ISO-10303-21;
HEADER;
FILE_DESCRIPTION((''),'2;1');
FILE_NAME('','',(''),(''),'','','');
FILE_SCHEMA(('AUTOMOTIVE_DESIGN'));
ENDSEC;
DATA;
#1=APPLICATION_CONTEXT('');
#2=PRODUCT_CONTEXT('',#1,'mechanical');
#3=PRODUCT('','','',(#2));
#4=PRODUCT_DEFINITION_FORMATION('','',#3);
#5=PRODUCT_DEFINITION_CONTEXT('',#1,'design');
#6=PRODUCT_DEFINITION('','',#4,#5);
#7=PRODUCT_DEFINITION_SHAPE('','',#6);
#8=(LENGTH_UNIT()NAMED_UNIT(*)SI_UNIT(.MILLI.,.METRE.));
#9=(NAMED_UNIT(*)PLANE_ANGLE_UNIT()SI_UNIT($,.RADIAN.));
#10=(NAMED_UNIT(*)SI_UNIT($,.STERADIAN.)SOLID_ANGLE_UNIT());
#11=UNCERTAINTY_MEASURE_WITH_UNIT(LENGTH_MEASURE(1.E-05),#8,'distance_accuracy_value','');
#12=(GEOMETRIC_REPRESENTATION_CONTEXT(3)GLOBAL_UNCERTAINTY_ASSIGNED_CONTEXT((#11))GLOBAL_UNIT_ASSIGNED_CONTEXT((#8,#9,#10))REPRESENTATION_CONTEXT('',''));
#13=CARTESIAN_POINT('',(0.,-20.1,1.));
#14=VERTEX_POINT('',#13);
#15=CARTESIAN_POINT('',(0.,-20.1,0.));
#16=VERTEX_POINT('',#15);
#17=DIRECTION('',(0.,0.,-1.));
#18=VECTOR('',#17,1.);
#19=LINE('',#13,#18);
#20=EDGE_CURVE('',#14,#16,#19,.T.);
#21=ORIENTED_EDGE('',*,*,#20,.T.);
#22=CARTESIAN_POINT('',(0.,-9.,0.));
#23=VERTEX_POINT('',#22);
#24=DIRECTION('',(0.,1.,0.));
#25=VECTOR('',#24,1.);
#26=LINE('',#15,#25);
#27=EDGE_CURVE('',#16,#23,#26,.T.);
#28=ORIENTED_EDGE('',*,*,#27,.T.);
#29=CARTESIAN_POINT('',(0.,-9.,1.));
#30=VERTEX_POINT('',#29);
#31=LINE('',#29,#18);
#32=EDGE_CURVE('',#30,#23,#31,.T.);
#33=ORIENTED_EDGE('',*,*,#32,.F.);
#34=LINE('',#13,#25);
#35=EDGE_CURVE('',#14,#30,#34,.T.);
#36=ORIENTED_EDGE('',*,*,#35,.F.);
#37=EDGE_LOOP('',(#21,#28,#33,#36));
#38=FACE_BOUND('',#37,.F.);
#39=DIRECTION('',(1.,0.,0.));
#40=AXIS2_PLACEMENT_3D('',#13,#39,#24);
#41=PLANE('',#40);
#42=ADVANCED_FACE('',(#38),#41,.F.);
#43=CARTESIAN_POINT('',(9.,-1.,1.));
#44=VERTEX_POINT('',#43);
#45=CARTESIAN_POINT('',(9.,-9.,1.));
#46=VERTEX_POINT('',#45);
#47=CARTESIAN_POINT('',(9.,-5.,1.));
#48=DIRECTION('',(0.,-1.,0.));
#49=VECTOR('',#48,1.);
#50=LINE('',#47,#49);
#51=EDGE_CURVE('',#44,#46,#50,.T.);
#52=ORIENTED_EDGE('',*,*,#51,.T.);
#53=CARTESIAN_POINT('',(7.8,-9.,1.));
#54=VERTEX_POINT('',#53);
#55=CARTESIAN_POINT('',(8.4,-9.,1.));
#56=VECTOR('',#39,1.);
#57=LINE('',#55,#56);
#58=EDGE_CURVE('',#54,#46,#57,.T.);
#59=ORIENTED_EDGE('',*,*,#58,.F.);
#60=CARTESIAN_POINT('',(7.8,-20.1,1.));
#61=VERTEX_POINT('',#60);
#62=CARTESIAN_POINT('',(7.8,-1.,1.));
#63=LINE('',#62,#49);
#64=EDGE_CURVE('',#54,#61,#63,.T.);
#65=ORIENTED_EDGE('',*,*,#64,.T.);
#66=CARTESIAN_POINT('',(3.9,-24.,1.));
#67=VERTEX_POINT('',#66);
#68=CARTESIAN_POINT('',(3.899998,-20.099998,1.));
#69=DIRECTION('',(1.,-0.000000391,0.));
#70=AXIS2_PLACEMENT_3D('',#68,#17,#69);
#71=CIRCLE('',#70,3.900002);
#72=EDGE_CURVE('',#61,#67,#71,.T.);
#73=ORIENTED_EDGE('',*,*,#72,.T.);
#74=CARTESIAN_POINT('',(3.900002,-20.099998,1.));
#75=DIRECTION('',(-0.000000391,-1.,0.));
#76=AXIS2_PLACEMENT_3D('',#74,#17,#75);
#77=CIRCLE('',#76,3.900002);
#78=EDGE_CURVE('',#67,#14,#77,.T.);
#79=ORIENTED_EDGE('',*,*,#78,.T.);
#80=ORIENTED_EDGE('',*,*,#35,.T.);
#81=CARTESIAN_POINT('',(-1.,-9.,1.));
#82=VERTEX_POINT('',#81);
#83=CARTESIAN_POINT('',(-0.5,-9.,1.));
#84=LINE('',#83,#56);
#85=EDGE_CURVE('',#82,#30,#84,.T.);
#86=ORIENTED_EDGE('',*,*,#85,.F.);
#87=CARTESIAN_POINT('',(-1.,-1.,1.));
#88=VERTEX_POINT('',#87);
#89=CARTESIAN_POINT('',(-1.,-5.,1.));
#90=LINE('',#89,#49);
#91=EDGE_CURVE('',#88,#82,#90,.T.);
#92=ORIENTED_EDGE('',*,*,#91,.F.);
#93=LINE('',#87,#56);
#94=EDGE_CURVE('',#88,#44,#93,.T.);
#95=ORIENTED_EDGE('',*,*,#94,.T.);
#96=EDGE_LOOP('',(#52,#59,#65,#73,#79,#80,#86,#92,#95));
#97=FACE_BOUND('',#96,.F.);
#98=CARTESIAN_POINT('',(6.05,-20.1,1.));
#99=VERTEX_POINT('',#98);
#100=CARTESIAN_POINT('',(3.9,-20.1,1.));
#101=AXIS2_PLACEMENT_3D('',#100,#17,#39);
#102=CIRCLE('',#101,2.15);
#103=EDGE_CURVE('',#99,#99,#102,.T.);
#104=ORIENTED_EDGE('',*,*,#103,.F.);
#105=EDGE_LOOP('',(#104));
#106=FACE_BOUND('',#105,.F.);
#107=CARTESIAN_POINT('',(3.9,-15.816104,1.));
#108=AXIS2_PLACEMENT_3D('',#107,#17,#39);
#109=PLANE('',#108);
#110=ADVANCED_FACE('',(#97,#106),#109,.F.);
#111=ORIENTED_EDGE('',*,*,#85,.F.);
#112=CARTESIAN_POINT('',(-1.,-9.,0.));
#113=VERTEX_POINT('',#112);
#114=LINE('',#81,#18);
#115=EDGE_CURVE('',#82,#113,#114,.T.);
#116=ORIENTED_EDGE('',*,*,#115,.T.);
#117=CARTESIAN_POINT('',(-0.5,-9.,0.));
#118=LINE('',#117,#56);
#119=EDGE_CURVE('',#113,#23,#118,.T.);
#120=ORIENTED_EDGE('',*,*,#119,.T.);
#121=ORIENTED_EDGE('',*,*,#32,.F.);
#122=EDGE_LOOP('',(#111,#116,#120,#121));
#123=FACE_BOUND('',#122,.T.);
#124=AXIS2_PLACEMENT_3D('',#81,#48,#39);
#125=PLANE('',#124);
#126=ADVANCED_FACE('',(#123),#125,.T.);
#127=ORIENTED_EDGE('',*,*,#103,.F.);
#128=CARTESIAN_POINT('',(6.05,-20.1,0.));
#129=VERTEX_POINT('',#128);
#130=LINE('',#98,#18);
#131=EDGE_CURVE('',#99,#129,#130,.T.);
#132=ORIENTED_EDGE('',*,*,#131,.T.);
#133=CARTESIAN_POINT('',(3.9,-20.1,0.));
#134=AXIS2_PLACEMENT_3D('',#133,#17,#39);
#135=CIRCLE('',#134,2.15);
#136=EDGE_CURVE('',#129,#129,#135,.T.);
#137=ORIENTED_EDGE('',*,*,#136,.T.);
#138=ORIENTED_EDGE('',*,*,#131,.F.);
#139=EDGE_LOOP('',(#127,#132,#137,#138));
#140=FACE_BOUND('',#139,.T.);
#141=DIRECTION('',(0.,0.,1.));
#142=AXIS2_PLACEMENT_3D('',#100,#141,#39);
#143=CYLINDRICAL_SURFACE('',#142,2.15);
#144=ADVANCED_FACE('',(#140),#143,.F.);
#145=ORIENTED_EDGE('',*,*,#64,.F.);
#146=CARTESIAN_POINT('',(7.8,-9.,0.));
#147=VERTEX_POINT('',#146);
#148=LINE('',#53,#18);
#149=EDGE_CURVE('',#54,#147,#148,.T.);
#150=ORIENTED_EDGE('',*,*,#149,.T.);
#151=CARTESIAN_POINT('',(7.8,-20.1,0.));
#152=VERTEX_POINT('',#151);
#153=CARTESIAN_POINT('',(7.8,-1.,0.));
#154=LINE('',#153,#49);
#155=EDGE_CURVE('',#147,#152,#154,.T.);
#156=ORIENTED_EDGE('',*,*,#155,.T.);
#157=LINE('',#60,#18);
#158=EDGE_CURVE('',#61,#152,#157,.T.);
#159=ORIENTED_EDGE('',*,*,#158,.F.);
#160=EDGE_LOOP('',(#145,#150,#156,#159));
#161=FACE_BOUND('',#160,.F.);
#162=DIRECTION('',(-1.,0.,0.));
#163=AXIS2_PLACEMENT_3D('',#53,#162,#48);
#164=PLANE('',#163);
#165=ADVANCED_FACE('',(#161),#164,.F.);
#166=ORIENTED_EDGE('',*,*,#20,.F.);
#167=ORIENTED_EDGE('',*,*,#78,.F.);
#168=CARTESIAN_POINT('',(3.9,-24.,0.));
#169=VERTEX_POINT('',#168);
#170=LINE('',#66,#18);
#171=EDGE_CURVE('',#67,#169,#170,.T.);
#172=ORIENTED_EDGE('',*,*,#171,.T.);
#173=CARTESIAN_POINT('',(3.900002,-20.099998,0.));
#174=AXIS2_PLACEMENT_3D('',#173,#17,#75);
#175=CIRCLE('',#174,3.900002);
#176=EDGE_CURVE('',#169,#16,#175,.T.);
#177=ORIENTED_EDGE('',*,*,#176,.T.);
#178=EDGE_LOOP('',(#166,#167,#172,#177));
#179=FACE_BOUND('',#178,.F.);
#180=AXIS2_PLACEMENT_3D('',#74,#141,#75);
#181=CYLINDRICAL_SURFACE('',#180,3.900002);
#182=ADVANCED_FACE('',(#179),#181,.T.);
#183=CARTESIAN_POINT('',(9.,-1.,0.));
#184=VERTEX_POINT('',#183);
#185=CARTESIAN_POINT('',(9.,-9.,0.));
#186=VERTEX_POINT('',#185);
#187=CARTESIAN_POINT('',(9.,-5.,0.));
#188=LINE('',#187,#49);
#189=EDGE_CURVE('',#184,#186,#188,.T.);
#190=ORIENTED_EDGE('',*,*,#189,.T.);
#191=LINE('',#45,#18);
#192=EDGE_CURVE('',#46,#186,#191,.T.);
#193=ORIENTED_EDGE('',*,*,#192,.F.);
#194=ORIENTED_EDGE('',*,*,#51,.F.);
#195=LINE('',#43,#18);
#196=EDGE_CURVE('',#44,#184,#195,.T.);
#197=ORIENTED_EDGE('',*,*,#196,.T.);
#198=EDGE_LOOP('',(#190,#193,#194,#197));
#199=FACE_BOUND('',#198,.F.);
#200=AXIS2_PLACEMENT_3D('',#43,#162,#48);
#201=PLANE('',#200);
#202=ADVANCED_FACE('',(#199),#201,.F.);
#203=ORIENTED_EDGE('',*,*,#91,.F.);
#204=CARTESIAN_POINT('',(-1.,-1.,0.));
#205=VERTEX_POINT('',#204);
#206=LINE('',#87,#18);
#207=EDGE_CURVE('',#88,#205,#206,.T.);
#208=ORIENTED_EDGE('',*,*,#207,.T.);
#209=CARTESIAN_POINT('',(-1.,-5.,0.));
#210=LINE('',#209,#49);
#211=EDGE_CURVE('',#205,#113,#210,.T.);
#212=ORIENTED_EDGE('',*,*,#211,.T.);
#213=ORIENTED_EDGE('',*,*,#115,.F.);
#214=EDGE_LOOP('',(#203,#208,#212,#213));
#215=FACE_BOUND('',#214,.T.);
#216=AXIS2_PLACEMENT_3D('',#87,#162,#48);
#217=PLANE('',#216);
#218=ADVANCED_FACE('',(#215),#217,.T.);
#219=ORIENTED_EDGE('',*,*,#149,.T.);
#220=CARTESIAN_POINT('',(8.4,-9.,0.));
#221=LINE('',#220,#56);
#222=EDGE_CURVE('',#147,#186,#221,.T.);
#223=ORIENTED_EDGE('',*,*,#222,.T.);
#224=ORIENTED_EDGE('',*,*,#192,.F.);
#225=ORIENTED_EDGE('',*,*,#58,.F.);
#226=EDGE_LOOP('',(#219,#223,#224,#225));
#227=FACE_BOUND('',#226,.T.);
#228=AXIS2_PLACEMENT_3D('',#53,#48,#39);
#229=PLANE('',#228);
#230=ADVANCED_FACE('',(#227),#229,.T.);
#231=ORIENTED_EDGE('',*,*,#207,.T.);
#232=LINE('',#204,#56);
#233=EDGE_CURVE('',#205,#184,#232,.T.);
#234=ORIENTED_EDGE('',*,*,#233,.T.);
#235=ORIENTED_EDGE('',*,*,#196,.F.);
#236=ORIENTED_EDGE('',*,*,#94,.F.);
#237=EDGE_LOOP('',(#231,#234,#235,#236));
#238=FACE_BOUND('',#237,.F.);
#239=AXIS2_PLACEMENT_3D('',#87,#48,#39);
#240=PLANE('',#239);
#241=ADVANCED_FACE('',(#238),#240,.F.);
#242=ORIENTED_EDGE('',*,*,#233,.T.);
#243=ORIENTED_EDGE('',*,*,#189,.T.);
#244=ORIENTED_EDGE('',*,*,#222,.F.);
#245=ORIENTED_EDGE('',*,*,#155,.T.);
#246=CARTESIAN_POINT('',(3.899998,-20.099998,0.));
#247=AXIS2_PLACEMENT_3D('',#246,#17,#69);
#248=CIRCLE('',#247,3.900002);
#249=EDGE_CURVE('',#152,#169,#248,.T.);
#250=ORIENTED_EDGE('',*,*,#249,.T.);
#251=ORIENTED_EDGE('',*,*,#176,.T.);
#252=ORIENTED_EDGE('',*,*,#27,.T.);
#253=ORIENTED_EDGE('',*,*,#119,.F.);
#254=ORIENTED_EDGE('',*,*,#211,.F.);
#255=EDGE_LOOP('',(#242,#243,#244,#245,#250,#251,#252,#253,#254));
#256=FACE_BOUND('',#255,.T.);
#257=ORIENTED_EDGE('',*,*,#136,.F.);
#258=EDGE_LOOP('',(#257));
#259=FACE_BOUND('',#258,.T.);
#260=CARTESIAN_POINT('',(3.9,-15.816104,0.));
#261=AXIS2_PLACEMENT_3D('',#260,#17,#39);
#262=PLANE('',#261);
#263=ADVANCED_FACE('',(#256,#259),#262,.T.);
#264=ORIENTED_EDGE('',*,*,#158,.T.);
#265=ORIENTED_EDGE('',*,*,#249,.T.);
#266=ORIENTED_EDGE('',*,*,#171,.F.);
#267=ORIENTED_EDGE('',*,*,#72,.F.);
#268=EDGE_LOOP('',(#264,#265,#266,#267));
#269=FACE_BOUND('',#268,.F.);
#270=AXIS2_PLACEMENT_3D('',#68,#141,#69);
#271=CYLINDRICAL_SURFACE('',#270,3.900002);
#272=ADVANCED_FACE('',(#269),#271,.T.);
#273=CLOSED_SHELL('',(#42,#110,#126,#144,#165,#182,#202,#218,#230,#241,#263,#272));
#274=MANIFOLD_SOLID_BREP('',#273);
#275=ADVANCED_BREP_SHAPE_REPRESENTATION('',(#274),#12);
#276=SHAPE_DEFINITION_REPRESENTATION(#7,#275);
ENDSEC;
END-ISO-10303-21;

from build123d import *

# Parameters (mm, degrees)
F0_R     = 2.15
F0_W     = 7.8
F0_H     = 8
F0_W_2   = 1.2
F0_W_3   = 1
F1_DEPTH = 1
F2_ANGLE = 90


with BuildPart() as f1:
    # F0 (on Front) → F1 (new body)
    with BuildSketch(Plane.XZ):
        with BuildLine():
            Line((0, 19.1), (0, 8))
            Line((0, 8), (7.8, 8))
            Line((7.8, 8), (7.8, 19.1))
            ThreePointArc((7.8, 19.1), (6.657716, 21.857716), (3.9, 23))
            ThreePointArc((3.9, 23), (1.142284, 21.857716), (0, 19.1))
        make_face()
        with Locations((3.9, 19.1)):
            Circle(F0_R, mode=Mode.SUBTRACT)
        with Locations((3.9, 4)):
            Rectangle(F0_W, F0_H)
        with Locations((8.4, 4)):
            Rectangle(F0_W_2, F0_H)
        with Locations((-0.5, 4)):
            Rectangle(F0_W_3, F0_H)
    extrude(amount=F1_DEPTH)


with BuildPart() as f1_1:
    # F2: moved
    add(f1.part.rotate(Axis((4, -1, 0), (1, 0, 0)), F2_ANGLE))


solid = f1_1.part
